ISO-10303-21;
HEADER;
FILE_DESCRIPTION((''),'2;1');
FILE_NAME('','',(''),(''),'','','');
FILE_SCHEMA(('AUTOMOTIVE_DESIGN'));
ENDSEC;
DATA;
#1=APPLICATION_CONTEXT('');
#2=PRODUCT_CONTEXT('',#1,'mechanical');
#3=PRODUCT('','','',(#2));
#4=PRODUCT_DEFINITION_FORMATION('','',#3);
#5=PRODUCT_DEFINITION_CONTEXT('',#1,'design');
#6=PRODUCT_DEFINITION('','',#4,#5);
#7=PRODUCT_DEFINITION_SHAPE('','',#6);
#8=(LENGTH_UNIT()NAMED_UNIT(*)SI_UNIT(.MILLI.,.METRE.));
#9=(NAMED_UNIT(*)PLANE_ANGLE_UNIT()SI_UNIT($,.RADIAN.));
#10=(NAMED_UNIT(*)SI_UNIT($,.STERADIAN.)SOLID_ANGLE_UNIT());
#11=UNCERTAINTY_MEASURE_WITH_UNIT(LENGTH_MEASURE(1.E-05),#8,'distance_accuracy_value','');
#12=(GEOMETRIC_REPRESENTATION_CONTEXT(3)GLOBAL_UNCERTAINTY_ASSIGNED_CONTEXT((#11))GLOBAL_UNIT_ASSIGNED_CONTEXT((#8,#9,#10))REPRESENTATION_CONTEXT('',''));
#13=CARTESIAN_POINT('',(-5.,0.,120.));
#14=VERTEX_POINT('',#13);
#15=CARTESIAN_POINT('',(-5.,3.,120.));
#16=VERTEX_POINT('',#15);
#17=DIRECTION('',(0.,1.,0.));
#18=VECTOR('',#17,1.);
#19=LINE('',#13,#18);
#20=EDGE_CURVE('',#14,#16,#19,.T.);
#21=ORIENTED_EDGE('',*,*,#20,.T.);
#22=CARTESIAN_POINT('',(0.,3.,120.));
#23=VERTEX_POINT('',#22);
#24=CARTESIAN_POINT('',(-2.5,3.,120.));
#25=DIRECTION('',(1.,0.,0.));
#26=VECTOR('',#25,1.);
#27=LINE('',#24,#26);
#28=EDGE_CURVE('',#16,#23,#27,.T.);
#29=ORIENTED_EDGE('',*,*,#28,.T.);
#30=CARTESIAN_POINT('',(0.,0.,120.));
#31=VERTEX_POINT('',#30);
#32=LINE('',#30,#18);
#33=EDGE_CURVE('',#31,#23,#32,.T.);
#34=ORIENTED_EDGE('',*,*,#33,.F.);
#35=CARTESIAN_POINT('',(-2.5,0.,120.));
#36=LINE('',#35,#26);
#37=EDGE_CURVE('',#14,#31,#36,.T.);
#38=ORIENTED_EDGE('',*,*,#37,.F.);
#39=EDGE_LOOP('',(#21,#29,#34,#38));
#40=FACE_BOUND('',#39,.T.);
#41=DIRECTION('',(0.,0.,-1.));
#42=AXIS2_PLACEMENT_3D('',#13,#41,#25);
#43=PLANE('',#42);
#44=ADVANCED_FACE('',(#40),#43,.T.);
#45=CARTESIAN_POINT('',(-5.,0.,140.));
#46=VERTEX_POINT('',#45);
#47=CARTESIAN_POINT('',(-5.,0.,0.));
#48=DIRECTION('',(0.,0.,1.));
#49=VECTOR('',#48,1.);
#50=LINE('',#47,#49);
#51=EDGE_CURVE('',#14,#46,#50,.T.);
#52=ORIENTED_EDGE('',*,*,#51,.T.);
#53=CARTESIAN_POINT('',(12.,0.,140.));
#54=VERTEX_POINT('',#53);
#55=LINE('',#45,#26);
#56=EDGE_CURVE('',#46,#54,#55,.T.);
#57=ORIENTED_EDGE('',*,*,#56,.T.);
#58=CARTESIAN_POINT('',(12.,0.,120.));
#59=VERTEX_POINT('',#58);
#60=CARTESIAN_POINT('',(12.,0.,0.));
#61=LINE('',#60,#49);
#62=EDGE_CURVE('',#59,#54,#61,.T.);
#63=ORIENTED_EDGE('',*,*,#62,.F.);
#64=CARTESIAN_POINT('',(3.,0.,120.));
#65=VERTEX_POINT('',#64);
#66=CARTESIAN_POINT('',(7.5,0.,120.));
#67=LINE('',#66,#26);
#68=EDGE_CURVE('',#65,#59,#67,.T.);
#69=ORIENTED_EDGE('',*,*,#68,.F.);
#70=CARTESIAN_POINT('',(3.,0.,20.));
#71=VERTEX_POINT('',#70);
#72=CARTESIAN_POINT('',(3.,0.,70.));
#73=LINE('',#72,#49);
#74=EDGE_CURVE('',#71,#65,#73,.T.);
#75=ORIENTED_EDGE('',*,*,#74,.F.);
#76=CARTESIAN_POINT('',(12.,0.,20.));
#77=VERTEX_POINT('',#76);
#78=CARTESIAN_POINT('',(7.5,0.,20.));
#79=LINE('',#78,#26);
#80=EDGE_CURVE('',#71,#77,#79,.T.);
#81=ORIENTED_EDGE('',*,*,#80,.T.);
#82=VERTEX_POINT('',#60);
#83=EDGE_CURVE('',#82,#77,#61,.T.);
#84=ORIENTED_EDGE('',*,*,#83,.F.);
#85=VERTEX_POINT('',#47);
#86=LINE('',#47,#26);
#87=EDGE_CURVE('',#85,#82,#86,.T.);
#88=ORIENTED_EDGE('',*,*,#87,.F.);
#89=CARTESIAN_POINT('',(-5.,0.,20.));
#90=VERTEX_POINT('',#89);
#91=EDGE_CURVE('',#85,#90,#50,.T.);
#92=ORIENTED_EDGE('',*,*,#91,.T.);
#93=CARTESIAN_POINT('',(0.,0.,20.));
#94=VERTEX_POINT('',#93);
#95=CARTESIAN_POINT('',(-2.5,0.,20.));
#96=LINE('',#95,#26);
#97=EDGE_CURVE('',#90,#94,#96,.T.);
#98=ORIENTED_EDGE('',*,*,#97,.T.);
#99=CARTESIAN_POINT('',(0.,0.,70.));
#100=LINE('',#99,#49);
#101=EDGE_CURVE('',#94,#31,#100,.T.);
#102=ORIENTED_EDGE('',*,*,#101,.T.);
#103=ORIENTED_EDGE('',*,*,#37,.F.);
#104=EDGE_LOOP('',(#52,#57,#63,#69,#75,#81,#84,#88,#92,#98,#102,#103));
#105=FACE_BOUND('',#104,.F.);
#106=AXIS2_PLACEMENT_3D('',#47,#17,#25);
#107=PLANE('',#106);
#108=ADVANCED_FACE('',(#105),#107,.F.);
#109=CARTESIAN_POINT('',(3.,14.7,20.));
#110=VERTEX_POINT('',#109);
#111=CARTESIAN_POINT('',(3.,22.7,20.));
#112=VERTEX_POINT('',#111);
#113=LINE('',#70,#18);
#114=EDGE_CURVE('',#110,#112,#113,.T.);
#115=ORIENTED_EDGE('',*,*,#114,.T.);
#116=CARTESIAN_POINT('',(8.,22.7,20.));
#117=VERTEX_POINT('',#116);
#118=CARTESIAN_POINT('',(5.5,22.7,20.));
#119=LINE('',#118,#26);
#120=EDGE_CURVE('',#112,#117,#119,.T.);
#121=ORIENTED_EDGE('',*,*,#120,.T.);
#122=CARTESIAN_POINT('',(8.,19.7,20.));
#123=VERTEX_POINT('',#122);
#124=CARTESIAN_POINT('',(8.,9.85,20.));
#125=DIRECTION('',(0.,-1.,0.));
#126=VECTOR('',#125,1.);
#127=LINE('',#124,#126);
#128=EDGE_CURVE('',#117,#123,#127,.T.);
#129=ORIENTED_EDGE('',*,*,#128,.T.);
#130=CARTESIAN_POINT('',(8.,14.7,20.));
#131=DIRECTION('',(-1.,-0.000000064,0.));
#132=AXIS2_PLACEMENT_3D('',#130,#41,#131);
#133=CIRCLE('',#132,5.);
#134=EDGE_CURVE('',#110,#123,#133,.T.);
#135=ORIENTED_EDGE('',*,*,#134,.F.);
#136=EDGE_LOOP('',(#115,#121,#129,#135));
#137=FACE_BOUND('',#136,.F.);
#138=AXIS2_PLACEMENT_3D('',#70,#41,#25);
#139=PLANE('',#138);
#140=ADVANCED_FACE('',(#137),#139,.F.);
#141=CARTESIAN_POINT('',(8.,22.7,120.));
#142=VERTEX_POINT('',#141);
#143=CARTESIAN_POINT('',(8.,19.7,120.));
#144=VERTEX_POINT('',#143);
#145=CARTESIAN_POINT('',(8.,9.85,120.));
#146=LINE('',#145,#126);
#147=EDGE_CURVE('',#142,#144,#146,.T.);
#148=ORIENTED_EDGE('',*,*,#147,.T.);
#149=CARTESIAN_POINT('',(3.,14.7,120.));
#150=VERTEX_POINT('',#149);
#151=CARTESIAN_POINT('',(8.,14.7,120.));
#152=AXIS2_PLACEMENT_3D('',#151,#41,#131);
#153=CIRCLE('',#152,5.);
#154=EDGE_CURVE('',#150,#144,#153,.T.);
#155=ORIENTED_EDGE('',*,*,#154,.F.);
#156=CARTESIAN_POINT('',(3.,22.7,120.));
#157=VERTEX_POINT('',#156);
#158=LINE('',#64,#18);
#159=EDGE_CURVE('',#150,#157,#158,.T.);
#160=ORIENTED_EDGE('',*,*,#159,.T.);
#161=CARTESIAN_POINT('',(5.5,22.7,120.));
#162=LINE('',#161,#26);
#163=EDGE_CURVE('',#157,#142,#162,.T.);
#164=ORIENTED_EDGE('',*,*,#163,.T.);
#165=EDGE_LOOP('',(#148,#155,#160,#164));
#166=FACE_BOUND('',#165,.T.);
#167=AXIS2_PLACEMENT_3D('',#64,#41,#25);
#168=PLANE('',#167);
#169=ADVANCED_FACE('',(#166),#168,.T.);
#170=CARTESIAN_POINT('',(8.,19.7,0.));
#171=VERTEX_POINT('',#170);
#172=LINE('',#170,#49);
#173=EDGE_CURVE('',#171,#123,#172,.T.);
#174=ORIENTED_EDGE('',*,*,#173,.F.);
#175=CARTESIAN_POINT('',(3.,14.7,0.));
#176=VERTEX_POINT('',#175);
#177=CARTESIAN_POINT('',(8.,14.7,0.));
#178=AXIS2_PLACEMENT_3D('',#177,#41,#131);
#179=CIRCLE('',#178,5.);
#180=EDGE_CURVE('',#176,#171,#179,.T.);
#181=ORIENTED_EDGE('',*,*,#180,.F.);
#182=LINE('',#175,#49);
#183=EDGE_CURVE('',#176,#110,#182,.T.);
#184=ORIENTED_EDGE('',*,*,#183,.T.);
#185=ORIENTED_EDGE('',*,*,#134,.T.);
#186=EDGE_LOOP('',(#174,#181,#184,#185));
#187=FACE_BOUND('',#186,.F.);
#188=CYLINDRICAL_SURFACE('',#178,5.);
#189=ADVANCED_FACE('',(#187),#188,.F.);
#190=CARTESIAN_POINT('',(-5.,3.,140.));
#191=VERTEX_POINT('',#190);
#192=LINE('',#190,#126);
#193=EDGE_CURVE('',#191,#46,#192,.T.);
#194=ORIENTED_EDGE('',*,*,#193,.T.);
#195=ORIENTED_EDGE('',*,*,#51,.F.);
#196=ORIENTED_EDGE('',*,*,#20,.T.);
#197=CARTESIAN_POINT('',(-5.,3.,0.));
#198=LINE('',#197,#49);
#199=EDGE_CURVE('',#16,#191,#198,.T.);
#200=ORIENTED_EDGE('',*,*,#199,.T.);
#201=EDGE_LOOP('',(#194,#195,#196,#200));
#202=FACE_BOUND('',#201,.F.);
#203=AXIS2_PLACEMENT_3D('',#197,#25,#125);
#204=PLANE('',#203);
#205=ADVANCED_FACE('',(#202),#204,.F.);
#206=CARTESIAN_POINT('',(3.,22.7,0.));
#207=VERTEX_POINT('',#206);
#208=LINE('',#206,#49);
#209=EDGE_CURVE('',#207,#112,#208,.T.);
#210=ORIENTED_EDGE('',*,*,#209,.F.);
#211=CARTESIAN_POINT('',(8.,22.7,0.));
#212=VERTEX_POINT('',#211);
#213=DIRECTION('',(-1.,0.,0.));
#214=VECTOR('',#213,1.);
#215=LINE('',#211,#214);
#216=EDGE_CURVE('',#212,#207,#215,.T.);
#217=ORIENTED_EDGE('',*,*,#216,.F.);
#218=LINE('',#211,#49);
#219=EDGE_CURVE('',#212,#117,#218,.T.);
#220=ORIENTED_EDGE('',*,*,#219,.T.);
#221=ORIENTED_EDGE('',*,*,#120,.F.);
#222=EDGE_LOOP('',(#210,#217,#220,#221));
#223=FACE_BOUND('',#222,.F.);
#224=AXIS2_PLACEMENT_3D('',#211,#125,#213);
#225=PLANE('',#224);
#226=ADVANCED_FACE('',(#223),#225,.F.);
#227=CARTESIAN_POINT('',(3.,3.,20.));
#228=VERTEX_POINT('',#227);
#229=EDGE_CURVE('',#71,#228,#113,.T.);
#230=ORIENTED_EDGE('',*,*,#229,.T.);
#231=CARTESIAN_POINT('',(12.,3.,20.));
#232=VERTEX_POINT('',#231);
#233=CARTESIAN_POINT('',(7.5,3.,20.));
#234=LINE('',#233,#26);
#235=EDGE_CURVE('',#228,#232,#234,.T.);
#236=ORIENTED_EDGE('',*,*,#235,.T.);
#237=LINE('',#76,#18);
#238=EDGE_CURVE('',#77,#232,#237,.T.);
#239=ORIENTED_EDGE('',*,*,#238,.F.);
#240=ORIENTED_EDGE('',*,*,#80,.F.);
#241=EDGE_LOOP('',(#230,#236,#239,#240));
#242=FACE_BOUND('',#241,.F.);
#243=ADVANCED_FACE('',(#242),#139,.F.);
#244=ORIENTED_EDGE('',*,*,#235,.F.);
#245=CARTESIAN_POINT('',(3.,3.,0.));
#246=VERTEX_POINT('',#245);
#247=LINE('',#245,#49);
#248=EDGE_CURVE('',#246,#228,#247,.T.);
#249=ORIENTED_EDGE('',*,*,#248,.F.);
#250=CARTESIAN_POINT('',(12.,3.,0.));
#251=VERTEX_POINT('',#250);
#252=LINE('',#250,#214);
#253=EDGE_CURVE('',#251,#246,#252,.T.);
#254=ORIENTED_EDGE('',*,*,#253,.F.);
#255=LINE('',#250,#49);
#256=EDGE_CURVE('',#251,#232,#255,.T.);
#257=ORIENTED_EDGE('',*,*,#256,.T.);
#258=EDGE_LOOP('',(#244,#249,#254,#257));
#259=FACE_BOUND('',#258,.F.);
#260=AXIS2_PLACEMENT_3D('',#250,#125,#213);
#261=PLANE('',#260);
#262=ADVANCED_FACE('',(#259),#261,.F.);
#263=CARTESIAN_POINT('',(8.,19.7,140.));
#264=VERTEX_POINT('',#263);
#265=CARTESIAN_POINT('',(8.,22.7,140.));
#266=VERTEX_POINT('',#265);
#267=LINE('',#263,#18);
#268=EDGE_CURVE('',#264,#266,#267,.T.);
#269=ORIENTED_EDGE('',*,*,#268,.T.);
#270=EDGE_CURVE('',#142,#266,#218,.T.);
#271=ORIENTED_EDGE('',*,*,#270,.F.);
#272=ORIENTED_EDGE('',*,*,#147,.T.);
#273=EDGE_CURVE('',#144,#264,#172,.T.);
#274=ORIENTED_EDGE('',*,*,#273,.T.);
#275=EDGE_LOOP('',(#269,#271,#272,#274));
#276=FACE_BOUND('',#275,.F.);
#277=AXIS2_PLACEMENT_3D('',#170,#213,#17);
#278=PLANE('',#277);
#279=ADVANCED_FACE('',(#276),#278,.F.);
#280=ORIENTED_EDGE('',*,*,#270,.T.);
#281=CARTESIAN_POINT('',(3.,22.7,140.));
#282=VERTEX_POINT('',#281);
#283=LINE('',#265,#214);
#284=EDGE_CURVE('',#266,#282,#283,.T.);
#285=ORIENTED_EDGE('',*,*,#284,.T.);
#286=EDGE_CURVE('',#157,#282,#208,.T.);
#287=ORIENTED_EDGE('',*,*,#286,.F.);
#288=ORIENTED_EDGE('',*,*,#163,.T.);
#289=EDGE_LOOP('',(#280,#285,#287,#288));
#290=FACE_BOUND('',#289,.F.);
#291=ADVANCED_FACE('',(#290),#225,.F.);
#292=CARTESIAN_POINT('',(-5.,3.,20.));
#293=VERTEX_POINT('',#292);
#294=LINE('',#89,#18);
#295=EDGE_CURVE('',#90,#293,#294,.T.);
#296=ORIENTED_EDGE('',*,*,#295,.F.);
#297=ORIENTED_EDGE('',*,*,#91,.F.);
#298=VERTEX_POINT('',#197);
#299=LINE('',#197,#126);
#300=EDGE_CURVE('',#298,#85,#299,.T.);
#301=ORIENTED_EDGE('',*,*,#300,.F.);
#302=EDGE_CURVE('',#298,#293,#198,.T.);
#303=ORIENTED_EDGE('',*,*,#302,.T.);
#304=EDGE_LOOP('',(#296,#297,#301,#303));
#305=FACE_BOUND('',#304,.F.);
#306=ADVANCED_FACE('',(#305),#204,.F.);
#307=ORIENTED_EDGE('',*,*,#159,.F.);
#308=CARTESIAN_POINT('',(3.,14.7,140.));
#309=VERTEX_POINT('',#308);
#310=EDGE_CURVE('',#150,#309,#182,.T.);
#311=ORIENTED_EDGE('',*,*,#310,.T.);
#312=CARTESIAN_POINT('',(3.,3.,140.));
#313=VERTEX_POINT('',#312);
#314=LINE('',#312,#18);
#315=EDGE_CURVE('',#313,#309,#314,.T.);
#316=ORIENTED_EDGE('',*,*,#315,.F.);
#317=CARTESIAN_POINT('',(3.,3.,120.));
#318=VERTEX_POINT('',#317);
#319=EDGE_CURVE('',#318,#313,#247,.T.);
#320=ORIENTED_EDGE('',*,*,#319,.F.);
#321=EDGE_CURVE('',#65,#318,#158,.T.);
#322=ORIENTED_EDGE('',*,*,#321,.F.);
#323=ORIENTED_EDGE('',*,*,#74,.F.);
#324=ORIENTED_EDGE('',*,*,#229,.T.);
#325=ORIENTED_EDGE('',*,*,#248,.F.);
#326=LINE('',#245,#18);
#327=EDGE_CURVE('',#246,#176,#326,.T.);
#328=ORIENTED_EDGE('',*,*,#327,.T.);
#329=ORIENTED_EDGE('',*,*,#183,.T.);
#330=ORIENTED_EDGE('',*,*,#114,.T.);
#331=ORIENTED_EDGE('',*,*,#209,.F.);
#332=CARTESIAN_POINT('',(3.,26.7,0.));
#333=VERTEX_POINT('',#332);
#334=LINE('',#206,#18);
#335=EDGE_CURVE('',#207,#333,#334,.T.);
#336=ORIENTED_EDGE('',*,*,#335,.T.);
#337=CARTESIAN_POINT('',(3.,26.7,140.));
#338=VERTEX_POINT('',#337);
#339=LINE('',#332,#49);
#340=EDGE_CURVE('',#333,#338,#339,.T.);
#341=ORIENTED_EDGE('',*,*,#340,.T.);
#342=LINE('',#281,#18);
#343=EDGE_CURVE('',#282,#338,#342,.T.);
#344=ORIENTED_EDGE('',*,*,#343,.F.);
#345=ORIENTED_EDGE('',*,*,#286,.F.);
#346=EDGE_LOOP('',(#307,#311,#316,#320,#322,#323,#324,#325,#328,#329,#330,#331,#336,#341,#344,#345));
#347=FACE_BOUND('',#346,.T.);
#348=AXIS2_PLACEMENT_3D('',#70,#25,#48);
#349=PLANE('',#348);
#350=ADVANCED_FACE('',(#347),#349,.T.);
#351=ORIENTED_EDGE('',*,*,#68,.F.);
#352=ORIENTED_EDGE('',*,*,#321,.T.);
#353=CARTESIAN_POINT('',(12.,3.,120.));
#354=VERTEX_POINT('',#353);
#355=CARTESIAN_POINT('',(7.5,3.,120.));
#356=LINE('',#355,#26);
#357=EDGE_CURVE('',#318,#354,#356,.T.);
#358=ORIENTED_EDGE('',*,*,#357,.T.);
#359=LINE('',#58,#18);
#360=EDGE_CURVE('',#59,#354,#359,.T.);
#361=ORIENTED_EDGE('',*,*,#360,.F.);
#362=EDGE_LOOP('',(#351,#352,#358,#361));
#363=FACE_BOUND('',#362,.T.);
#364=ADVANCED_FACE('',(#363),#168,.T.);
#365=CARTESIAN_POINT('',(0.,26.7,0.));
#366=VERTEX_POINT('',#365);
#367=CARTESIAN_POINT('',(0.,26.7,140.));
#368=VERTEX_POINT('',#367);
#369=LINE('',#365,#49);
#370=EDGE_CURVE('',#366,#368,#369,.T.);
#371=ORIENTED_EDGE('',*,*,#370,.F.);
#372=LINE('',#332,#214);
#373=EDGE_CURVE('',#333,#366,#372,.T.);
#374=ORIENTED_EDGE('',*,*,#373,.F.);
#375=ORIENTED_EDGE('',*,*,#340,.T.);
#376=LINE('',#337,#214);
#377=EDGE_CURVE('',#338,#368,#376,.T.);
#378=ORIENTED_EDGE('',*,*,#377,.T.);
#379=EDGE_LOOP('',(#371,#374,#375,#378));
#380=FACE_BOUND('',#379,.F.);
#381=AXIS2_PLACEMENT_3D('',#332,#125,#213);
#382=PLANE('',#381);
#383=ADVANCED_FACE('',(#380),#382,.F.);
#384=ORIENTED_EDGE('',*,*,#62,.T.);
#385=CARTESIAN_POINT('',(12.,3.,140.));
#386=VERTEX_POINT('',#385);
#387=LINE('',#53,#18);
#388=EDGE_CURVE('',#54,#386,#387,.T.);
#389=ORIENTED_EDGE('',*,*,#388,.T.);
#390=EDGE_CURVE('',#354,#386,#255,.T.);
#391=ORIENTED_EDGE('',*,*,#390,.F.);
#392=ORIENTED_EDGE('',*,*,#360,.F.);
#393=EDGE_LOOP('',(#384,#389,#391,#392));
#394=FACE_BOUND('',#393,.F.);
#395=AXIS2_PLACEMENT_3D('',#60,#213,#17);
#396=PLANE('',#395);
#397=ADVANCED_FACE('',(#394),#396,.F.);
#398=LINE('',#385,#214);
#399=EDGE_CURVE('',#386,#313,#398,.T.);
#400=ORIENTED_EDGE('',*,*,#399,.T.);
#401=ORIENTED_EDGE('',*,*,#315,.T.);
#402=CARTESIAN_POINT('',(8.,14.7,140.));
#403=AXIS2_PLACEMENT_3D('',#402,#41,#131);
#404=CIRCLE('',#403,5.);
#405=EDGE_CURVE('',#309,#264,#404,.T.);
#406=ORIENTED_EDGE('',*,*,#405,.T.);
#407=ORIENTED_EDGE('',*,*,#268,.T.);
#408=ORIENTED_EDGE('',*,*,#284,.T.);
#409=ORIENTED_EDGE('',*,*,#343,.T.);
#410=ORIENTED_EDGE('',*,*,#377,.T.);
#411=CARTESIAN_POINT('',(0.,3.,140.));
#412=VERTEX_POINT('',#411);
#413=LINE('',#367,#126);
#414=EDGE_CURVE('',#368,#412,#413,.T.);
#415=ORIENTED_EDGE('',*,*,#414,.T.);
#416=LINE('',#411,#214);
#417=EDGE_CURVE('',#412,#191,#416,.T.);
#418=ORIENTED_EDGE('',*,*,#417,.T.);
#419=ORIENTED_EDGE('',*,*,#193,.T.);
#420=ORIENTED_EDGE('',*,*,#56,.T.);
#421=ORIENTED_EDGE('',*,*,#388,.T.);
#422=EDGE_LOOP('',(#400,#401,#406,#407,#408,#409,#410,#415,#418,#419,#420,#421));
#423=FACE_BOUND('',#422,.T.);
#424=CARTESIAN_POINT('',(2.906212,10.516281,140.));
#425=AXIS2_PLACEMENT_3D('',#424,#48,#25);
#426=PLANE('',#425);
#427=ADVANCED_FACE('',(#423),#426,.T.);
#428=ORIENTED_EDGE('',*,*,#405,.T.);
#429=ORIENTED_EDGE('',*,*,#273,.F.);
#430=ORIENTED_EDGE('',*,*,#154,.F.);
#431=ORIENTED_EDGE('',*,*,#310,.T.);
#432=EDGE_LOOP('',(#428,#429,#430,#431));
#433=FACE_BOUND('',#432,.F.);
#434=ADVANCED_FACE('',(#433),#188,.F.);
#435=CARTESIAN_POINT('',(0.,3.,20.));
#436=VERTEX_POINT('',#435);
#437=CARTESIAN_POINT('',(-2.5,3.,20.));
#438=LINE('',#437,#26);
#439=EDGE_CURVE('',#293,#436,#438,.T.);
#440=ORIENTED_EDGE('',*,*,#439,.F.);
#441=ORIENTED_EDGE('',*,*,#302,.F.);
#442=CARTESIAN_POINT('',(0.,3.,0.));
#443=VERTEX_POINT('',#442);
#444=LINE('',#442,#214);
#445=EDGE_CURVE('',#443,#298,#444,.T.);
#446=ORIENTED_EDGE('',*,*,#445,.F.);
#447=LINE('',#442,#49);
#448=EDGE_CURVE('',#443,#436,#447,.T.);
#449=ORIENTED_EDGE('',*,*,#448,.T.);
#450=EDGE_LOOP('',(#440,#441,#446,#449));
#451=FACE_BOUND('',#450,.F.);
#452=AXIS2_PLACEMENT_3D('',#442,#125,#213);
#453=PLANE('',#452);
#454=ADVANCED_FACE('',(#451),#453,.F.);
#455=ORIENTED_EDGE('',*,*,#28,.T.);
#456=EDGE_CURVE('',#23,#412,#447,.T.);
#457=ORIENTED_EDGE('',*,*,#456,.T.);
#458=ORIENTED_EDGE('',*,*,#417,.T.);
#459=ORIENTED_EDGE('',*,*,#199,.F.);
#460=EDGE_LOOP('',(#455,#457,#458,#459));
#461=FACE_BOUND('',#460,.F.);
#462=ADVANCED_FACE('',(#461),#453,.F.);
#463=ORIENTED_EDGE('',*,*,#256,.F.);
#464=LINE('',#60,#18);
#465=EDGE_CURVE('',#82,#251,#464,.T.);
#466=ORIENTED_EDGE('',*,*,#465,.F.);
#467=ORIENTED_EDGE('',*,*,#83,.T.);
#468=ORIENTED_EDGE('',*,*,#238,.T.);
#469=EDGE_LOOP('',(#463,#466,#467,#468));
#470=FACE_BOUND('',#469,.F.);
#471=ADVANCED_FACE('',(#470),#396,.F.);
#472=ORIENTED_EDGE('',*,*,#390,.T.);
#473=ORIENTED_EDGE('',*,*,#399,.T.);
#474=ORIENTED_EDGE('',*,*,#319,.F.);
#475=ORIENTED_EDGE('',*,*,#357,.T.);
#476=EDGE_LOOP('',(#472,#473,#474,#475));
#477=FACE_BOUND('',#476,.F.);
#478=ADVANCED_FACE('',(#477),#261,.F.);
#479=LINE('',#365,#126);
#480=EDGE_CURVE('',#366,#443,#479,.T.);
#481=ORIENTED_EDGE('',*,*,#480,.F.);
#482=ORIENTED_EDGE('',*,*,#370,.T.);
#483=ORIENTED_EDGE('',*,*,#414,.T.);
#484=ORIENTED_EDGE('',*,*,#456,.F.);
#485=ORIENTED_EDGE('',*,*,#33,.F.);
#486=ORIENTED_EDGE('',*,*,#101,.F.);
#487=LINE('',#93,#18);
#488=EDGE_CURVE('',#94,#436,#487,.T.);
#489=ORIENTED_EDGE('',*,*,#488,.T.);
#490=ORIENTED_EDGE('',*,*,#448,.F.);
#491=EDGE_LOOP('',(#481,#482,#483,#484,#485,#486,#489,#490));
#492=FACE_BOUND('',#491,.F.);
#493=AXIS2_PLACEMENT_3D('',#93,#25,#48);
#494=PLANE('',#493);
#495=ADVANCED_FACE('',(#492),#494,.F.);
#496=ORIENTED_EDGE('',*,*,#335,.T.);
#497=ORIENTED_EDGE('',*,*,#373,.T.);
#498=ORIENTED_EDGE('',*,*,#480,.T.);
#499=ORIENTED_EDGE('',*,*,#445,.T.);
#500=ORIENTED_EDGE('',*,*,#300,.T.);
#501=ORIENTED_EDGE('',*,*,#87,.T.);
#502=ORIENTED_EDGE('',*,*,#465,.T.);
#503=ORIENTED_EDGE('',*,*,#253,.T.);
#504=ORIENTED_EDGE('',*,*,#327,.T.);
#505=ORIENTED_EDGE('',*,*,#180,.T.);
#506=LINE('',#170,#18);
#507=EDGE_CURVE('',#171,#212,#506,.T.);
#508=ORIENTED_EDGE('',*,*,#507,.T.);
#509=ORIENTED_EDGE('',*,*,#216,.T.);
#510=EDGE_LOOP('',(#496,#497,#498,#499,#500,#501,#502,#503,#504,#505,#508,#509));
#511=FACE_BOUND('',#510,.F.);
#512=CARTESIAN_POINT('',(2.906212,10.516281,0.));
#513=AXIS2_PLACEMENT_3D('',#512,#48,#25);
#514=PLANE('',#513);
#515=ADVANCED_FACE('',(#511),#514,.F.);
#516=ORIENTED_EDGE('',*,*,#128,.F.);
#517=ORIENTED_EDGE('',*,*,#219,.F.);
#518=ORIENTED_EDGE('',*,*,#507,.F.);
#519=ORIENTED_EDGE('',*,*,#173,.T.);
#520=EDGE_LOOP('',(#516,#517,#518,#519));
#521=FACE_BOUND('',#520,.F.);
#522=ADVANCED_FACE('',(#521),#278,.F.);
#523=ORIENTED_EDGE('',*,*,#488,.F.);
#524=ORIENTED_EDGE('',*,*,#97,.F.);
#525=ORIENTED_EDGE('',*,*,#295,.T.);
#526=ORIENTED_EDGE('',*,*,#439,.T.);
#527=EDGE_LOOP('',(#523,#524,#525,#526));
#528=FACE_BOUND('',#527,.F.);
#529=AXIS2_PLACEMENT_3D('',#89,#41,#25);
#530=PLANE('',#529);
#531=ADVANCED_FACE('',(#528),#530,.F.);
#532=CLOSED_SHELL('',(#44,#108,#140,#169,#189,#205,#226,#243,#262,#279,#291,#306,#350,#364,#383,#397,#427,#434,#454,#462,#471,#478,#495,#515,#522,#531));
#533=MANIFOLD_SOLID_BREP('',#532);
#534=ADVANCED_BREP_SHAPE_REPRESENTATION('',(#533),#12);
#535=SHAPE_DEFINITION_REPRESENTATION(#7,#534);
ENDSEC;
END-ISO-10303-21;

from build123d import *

# Parameters (mm, degrees)
F1_DEPTH = 140
F2_W     = 5
F2_H     = 100
F2_W_2   = 9
F3_DEPTH = 25


with BuildPart() as f1:
    # F0 (on Top) → F1 (new body)
    with BuildSketch(Plane.XY):
        with BuildLine():
            Line((-5, 0), (0, 0))
            Line((0, 0), (12, 0))
            Line((12, 0), (12, 3))
            Line((12, 3), (3, 3))
            Line((3, 3), (3, 14.7))
            ThreePointArc((3, 14.7), (4.464466, 18.235534), (8, 19.7))
            Line((8, 19.7), (8, 22.7))
            Line((8, 22.7), (3, 22.7))
            Line((3, 22.7), (3, 26.7))
            Line((3, 26.7), (0, 26.7))
            Line((0, 26.7), (0, 3))
            Line((0, 3), (-5, 3))
            Line((-5, 3), (-5, 0))
        make_face()
    extrude(amount=F1_DEPTH)

    # F2 (on Front) → F3 (cut)
    with BuildSketch(Plane.XZ):
        with Locations((-2.5, 70)):
            Rectangle(F2_W, F2_H)
        with Locations((7.5, 70)):
            Rectangle(F2_W_2, F2_H)
    extrude(amount=-F3_DEPTH, mode=Mode.SUBTRACT)


solid = f1.part
